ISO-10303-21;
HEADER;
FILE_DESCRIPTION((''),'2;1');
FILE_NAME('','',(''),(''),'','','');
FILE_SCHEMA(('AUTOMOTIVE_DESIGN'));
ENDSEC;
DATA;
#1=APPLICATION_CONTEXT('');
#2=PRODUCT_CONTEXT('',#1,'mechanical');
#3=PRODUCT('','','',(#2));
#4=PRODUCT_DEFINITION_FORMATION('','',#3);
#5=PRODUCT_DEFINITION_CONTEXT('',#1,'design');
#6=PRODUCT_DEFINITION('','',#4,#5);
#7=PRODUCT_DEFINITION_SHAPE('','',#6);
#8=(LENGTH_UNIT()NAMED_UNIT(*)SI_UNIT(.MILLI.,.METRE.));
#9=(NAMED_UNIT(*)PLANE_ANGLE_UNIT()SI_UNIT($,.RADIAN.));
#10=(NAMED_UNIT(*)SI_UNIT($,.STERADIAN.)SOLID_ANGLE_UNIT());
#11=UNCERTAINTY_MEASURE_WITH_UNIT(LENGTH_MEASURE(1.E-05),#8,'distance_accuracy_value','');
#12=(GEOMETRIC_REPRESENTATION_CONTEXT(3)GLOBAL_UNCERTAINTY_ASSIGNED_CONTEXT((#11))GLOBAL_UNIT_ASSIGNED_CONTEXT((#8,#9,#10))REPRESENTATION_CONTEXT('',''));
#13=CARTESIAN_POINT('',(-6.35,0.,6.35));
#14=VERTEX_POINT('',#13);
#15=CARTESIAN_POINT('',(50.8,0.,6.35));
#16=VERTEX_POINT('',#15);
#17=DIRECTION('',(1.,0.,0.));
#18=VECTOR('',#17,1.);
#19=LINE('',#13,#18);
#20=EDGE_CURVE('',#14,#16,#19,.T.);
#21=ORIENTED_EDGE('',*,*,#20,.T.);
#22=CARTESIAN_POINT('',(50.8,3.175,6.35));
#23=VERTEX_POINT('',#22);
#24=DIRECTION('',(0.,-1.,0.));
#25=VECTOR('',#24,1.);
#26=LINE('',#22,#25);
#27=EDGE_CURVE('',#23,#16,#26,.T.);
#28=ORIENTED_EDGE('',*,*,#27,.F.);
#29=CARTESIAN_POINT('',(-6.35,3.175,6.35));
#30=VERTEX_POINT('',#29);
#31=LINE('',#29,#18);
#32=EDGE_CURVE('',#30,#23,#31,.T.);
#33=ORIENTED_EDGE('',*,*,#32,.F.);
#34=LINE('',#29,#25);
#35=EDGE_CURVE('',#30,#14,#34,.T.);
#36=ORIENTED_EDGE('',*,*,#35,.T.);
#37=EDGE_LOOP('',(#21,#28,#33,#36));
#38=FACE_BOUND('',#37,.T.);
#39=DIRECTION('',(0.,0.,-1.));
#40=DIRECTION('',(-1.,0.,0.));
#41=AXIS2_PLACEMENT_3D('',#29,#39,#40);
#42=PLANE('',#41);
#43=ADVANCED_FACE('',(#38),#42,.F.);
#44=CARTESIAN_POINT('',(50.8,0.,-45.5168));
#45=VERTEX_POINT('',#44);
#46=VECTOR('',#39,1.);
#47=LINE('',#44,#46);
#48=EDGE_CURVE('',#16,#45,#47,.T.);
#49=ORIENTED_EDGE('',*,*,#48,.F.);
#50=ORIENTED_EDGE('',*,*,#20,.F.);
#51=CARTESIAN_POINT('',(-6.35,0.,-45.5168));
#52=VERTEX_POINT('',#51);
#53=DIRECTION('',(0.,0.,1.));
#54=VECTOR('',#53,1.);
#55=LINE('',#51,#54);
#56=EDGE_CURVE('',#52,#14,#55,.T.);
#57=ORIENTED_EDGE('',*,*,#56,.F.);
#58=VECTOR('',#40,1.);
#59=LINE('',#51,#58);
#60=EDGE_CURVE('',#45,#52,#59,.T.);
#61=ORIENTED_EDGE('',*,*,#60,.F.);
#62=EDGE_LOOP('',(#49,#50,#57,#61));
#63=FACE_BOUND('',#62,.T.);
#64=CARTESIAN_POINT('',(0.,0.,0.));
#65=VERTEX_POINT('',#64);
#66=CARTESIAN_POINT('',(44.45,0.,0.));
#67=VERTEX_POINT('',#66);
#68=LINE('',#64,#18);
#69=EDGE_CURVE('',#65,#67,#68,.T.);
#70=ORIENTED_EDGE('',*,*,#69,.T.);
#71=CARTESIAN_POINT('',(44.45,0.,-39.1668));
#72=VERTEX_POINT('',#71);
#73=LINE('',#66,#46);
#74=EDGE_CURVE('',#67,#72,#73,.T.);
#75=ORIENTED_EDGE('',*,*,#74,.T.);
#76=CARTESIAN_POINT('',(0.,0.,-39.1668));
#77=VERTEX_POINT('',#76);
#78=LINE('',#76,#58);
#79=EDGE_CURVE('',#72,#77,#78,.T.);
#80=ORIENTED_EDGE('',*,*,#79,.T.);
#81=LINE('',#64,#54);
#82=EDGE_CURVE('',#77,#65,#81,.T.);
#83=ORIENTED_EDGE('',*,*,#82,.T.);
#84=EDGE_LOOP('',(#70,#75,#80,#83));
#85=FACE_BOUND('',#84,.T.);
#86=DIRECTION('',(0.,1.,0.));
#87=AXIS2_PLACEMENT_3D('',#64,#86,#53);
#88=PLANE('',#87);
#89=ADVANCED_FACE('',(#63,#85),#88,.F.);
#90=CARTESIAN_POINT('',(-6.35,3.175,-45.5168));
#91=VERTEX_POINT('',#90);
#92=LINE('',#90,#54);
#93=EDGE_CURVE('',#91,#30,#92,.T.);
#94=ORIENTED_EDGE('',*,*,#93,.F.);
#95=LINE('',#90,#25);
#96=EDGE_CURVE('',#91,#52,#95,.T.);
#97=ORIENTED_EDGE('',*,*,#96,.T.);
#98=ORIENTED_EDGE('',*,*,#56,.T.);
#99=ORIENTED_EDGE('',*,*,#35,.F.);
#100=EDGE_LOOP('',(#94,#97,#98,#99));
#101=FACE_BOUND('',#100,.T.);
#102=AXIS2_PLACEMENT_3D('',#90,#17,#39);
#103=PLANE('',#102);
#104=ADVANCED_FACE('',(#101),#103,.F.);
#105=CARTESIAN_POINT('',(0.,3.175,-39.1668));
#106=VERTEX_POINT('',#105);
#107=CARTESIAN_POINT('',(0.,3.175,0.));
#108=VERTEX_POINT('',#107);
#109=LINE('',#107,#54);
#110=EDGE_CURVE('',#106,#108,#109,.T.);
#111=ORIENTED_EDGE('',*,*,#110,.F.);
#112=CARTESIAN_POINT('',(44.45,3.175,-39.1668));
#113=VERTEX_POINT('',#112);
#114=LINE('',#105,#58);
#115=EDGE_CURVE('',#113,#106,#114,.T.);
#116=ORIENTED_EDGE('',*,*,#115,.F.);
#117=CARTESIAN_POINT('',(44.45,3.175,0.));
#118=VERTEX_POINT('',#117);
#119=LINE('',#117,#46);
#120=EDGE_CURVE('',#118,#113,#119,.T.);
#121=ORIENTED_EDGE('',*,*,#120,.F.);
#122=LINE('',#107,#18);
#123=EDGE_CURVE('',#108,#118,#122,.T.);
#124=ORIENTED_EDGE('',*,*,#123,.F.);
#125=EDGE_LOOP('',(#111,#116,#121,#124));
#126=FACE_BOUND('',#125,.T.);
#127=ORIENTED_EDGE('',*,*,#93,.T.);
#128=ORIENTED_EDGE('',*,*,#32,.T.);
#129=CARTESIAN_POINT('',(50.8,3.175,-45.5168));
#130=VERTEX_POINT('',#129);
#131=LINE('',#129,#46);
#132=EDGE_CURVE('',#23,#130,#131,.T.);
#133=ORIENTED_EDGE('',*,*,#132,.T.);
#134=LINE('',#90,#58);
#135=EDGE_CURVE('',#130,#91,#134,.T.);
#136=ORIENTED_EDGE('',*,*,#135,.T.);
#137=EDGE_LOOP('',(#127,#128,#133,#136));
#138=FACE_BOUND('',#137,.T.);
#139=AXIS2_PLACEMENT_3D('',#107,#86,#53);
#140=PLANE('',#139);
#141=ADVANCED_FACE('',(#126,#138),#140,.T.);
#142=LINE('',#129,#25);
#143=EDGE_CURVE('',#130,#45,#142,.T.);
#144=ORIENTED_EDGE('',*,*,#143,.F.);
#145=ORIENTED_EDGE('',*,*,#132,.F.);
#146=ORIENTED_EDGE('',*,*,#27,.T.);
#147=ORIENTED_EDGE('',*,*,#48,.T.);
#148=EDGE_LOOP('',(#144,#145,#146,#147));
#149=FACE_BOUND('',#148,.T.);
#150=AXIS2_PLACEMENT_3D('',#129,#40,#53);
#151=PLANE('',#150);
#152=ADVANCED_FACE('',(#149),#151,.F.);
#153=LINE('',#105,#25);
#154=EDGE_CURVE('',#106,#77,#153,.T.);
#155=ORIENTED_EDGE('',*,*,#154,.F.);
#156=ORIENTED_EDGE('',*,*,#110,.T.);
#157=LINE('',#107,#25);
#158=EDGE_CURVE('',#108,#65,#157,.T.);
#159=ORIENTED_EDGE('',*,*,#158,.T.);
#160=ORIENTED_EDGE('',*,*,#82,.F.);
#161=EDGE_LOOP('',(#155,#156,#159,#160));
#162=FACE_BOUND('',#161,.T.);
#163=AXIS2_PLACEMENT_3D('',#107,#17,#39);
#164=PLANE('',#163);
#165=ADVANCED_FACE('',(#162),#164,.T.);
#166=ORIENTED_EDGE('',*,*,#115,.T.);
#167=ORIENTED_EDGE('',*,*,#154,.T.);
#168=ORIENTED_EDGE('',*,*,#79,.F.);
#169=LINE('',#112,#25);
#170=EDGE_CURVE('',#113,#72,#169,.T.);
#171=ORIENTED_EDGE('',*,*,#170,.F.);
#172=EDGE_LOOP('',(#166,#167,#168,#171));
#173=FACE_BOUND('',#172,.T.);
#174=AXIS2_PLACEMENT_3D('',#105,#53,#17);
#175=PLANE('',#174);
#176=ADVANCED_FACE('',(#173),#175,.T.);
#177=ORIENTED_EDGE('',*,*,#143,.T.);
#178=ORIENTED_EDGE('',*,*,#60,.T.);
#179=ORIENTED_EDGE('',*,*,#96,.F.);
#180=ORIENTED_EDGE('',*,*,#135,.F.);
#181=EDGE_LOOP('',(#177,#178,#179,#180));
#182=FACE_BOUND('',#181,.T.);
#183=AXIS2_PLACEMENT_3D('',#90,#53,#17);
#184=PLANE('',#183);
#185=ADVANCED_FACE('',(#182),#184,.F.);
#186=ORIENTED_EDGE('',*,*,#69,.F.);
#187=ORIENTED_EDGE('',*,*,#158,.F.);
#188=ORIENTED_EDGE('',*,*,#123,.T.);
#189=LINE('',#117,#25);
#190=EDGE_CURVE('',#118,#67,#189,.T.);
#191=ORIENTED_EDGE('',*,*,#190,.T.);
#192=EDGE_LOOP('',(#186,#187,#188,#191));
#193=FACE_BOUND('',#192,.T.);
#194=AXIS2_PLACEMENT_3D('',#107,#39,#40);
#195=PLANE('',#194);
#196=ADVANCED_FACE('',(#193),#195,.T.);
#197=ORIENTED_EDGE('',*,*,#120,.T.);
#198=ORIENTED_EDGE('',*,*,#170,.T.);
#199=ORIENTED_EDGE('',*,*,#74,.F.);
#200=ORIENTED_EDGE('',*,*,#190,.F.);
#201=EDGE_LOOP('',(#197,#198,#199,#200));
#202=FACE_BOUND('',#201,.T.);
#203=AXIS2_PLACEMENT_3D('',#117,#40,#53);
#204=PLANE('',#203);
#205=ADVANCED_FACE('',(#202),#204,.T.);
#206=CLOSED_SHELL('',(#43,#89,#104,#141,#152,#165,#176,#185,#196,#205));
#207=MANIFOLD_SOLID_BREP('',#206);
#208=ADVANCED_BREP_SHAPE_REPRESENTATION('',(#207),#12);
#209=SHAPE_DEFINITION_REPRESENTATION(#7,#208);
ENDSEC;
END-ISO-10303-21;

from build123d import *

# Parameters (mm, degrees)
SKETCH1_W           = 57.15
SKETCH1_H           = 51.8668
SKETCH1_W_2         = 44.45
SKETCH1_H_2         = 39.1668
BOSS_EXTRUDE1_DEPTH = 3.175


with BuildPart() as part:
    # Sketch1 → Boss-Extrude1 (new body)
    with BuildSketch(Plane(origin=(0, 0, 0), x_dir=(1, 0, 0), z_dir=(0, 1, 0))):
        with Locations((22.225, 19.5834)):
            Rectangle(SKETCH1_W, SKETCH1_H)
        with Locations((22.225, 19.5834)):
            Rectangle(SKETCH1_W_2, SKETCH1_H_2, mode=Mode.SUBTRACT)
    extrude(amount=BOSS_EXTRUDE1_DEPTH)


solid = part.part
